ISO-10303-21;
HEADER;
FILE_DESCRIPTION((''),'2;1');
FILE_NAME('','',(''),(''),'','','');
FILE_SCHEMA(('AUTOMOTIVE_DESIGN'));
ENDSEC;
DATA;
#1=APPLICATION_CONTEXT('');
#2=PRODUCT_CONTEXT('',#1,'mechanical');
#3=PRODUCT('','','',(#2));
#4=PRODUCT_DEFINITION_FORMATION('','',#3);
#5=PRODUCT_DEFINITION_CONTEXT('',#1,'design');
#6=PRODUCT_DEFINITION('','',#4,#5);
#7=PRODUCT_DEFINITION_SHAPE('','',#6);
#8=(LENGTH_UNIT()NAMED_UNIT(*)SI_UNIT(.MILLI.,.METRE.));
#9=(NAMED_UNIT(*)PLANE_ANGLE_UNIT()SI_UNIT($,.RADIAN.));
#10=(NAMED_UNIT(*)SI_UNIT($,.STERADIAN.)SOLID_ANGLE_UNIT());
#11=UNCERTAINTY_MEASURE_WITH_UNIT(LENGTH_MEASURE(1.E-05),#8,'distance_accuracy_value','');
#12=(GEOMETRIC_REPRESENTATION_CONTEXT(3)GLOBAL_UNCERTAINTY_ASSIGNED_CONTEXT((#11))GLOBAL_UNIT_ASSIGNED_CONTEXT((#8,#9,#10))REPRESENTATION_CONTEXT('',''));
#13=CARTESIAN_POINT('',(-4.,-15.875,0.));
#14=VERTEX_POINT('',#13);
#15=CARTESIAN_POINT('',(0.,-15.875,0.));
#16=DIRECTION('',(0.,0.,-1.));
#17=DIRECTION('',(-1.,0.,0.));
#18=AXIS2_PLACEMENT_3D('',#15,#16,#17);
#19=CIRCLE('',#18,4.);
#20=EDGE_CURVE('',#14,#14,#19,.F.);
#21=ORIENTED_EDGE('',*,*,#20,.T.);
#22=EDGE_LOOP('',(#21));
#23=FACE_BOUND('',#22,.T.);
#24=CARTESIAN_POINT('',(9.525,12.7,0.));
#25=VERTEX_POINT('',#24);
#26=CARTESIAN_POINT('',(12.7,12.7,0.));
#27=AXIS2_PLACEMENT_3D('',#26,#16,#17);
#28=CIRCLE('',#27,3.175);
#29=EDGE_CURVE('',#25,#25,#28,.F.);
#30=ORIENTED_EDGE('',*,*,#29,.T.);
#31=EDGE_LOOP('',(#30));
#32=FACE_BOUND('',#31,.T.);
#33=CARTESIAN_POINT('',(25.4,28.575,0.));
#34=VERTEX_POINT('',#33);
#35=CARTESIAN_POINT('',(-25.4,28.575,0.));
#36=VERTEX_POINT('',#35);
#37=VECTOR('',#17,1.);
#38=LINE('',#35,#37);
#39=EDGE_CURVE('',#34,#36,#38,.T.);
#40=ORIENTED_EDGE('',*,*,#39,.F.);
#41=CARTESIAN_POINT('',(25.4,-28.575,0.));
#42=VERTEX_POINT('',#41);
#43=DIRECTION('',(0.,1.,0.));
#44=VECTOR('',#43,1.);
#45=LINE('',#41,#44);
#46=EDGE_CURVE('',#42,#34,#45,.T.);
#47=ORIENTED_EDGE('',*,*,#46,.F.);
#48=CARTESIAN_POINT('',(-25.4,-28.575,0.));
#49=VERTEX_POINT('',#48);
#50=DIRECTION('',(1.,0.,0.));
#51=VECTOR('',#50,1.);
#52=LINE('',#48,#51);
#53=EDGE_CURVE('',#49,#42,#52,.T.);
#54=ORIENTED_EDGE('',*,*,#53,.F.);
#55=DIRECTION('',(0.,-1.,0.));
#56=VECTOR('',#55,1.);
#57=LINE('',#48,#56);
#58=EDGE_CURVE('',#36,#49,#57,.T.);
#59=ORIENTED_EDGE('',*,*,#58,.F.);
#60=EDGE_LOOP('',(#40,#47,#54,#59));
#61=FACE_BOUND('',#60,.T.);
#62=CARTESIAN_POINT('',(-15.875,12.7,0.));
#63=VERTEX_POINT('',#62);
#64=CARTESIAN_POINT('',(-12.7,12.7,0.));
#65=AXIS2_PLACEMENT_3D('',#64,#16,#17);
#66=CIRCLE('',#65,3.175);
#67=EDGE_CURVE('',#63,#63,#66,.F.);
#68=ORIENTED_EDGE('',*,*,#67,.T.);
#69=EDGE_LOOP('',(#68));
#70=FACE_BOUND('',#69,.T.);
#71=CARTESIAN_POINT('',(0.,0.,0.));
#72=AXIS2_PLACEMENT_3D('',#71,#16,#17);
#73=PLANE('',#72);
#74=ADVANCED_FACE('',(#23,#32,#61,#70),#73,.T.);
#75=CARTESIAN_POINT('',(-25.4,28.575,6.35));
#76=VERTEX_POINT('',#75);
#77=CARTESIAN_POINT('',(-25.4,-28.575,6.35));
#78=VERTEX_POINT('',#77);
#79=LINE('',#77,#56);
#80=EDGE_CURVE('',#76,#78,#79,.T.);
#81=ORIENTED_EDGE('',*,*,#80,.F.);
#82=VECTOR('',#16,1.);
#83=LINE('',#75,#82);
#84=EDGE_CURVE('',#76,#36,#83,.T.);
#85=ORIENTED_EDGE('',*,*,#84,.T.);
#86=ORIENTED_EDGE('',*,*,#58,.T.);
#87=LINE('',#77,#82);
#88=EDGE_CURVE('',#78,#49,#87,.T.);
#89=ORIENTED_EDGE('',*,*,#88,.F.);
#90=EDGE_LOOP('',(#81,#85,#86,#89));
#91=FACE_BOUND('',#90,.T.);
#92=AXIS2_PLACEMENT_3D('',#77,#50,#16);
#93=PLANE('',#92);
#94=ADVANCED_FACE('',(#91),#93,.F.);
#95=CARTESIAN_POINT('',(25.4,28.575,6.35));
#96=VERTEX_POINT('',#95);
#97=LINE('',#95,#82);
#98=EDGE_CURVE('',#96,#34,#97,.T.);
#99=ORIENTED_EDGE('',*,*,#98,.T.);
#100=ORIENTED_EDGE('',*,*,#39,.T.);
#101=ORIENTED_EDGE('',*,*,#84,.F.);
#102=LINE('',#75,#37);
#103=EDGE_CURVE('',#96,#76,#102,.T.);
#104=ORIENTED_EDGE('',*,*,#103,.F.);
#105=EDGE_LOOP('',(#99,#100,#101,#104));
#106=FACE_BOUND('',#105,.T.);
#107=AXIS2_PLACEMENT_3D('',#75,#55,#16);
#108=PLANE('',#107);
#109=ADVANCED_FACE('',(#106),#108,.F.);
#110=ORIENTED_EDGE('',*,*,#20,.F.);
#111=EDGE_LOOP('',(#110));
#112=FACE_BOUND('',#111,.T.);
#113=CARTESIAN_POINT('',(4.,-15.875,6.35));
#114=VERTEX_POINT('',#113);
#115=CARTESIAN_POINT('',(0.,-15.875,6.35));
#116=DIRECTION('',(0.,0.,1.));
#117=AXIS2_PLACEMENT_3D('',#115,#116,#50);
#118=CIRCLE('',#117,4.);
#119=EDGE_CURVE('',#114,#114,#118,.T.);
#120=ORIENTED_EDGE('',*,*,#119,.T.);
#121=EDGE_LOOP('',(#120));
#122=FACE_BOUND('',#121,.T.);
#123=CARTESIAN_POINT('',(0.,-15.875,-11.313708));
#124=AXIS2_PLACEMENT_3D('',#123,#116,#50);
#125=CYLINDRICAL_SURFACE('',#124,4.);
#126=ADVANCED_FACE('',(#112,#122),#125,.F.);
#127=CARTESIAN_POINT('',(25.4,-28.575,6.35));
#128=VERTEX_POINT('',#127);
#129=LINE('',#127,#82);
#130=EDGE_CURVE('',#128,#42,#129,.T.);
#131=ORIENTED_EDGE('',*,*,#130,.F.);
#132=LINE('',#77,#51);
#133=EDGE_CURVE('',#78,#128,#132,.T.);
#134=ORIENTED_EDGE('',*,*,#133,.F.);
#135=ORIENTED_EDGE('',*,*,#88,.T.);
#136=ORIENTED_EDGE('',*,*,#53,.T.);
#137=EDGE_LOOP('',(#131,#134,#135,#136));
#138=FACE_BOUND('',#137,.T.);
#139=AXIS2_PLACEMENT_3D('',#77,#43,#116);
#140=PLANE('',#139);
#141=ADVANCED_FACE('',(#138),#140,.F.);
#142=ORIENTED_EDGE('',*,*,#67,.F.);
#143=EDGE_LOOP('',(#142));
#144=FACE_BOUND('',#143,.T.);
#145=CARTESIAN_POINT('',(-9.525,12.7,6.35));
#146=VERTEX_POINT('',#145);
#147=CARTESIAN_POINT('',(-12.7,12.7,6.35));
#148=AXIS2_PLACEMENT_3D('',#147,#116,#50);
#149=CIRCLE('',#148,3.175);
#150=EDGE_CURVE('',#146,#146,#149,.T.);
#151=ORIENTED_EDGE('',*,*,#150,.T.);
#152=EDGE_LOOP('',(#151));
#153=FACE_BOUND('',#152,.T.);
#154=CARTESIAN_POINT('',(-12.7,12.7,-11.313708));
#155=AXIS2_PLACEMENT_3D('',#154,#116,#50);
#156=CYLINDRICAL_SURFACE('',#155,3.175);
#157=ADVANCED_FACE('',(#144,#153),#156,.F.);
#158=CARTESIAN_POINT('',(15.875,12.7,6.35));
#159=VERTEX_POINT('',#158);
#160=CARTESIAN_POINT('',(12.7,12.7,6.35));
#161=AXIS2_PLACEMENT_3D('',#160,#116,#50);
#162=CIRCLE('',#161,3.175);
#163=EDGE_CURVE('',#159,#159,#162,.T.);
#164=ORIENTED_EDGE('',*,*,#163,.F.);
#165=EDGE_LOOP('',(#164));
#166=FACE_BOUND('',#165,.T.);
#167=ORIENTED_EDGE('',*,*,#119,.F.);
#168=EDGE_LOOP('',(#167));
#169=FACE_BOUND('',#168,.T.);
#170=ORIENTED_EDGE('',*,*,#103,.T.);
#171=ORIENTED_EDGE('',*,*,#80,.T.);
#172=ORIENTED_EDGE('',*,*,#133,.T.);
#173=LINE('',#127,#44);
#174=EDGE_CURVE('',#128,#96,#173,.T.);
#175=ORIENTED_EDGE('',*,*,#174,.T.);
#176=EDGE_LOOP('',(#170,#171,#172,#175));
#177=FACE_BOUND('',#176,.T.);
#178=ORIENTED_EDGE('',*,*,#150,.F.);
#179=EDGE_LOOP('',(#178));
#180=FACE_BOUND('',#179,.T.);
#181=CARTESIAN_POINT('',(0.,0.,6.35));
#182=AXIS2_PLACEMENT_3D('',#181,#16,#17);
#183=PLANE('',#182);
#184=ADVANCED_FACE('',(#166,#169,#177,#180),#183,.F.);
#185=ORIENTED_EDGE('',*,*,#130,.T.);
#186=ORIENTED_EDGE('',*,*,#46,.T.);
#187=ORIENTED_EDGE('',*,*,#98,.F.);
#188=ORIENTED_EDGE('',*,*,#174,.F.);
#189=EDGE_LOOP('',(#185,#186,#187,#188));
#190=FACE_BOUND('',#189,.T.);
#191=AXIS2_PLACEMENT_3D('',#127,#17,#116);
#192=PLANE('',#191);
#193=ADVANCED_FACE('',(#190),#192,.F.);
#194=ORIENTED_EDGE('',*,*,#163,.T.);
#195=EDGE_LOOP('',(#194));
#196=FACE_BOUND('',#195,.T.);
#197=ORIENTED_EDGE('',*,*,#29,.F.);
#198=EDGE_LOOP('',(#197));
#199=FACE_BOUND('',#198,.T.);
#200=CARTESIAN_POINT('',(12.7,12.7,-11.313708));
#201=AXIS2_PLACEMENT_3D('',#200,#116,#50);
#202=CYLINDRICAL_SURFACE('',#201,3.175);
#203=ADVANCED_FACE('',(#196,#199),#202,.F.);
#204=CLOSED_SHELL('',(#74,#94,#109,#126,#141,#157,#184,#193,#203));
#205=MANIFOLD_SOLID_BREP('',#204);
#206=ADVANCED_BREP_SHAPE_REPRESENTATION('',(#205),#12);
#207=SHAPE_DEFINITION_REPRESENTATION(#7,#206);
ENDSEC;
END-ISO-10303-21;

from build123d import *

# Parameters (mm, degrees)
SKETCH1_W           = 50.8
SKETCH1_H           = 57.15
BOSS_EXTRUDE1_DEPTH = 6.35
SKETCH4_R           = 4
SKETCH4_R_2         = 3.175
CUT_EXTRUDE1_DEPTH  = 6.35


with BuildPart() as part:
    # Sketch1 → Boss-Extrude1 (new body)
    with BuildSketch(Plane.XY):
        Rectangle(SKETCH1_W, SKETCH1_H)
    extrude(amount=BOSS_EXTRUDE1_DEPTH)

    # Sketch4 → Cut-Extrude1 (cut)
    with BuildSketch(Plane.XY.offset(6.35)):
        with Locations((0, -15.875)):
            Circle(SKETCH4_R)
        with Locations((-12.7, 12.7)):
            Circle(SKETCH4_R_2)
        with Locations((12.7, 12.7)):
            Circle(SKETCH4_R_2)
    extrude(amount=-CUT_EXTRUDE1_DEPTH, mode=Mode.SUBTRACT)


solid = part.part
